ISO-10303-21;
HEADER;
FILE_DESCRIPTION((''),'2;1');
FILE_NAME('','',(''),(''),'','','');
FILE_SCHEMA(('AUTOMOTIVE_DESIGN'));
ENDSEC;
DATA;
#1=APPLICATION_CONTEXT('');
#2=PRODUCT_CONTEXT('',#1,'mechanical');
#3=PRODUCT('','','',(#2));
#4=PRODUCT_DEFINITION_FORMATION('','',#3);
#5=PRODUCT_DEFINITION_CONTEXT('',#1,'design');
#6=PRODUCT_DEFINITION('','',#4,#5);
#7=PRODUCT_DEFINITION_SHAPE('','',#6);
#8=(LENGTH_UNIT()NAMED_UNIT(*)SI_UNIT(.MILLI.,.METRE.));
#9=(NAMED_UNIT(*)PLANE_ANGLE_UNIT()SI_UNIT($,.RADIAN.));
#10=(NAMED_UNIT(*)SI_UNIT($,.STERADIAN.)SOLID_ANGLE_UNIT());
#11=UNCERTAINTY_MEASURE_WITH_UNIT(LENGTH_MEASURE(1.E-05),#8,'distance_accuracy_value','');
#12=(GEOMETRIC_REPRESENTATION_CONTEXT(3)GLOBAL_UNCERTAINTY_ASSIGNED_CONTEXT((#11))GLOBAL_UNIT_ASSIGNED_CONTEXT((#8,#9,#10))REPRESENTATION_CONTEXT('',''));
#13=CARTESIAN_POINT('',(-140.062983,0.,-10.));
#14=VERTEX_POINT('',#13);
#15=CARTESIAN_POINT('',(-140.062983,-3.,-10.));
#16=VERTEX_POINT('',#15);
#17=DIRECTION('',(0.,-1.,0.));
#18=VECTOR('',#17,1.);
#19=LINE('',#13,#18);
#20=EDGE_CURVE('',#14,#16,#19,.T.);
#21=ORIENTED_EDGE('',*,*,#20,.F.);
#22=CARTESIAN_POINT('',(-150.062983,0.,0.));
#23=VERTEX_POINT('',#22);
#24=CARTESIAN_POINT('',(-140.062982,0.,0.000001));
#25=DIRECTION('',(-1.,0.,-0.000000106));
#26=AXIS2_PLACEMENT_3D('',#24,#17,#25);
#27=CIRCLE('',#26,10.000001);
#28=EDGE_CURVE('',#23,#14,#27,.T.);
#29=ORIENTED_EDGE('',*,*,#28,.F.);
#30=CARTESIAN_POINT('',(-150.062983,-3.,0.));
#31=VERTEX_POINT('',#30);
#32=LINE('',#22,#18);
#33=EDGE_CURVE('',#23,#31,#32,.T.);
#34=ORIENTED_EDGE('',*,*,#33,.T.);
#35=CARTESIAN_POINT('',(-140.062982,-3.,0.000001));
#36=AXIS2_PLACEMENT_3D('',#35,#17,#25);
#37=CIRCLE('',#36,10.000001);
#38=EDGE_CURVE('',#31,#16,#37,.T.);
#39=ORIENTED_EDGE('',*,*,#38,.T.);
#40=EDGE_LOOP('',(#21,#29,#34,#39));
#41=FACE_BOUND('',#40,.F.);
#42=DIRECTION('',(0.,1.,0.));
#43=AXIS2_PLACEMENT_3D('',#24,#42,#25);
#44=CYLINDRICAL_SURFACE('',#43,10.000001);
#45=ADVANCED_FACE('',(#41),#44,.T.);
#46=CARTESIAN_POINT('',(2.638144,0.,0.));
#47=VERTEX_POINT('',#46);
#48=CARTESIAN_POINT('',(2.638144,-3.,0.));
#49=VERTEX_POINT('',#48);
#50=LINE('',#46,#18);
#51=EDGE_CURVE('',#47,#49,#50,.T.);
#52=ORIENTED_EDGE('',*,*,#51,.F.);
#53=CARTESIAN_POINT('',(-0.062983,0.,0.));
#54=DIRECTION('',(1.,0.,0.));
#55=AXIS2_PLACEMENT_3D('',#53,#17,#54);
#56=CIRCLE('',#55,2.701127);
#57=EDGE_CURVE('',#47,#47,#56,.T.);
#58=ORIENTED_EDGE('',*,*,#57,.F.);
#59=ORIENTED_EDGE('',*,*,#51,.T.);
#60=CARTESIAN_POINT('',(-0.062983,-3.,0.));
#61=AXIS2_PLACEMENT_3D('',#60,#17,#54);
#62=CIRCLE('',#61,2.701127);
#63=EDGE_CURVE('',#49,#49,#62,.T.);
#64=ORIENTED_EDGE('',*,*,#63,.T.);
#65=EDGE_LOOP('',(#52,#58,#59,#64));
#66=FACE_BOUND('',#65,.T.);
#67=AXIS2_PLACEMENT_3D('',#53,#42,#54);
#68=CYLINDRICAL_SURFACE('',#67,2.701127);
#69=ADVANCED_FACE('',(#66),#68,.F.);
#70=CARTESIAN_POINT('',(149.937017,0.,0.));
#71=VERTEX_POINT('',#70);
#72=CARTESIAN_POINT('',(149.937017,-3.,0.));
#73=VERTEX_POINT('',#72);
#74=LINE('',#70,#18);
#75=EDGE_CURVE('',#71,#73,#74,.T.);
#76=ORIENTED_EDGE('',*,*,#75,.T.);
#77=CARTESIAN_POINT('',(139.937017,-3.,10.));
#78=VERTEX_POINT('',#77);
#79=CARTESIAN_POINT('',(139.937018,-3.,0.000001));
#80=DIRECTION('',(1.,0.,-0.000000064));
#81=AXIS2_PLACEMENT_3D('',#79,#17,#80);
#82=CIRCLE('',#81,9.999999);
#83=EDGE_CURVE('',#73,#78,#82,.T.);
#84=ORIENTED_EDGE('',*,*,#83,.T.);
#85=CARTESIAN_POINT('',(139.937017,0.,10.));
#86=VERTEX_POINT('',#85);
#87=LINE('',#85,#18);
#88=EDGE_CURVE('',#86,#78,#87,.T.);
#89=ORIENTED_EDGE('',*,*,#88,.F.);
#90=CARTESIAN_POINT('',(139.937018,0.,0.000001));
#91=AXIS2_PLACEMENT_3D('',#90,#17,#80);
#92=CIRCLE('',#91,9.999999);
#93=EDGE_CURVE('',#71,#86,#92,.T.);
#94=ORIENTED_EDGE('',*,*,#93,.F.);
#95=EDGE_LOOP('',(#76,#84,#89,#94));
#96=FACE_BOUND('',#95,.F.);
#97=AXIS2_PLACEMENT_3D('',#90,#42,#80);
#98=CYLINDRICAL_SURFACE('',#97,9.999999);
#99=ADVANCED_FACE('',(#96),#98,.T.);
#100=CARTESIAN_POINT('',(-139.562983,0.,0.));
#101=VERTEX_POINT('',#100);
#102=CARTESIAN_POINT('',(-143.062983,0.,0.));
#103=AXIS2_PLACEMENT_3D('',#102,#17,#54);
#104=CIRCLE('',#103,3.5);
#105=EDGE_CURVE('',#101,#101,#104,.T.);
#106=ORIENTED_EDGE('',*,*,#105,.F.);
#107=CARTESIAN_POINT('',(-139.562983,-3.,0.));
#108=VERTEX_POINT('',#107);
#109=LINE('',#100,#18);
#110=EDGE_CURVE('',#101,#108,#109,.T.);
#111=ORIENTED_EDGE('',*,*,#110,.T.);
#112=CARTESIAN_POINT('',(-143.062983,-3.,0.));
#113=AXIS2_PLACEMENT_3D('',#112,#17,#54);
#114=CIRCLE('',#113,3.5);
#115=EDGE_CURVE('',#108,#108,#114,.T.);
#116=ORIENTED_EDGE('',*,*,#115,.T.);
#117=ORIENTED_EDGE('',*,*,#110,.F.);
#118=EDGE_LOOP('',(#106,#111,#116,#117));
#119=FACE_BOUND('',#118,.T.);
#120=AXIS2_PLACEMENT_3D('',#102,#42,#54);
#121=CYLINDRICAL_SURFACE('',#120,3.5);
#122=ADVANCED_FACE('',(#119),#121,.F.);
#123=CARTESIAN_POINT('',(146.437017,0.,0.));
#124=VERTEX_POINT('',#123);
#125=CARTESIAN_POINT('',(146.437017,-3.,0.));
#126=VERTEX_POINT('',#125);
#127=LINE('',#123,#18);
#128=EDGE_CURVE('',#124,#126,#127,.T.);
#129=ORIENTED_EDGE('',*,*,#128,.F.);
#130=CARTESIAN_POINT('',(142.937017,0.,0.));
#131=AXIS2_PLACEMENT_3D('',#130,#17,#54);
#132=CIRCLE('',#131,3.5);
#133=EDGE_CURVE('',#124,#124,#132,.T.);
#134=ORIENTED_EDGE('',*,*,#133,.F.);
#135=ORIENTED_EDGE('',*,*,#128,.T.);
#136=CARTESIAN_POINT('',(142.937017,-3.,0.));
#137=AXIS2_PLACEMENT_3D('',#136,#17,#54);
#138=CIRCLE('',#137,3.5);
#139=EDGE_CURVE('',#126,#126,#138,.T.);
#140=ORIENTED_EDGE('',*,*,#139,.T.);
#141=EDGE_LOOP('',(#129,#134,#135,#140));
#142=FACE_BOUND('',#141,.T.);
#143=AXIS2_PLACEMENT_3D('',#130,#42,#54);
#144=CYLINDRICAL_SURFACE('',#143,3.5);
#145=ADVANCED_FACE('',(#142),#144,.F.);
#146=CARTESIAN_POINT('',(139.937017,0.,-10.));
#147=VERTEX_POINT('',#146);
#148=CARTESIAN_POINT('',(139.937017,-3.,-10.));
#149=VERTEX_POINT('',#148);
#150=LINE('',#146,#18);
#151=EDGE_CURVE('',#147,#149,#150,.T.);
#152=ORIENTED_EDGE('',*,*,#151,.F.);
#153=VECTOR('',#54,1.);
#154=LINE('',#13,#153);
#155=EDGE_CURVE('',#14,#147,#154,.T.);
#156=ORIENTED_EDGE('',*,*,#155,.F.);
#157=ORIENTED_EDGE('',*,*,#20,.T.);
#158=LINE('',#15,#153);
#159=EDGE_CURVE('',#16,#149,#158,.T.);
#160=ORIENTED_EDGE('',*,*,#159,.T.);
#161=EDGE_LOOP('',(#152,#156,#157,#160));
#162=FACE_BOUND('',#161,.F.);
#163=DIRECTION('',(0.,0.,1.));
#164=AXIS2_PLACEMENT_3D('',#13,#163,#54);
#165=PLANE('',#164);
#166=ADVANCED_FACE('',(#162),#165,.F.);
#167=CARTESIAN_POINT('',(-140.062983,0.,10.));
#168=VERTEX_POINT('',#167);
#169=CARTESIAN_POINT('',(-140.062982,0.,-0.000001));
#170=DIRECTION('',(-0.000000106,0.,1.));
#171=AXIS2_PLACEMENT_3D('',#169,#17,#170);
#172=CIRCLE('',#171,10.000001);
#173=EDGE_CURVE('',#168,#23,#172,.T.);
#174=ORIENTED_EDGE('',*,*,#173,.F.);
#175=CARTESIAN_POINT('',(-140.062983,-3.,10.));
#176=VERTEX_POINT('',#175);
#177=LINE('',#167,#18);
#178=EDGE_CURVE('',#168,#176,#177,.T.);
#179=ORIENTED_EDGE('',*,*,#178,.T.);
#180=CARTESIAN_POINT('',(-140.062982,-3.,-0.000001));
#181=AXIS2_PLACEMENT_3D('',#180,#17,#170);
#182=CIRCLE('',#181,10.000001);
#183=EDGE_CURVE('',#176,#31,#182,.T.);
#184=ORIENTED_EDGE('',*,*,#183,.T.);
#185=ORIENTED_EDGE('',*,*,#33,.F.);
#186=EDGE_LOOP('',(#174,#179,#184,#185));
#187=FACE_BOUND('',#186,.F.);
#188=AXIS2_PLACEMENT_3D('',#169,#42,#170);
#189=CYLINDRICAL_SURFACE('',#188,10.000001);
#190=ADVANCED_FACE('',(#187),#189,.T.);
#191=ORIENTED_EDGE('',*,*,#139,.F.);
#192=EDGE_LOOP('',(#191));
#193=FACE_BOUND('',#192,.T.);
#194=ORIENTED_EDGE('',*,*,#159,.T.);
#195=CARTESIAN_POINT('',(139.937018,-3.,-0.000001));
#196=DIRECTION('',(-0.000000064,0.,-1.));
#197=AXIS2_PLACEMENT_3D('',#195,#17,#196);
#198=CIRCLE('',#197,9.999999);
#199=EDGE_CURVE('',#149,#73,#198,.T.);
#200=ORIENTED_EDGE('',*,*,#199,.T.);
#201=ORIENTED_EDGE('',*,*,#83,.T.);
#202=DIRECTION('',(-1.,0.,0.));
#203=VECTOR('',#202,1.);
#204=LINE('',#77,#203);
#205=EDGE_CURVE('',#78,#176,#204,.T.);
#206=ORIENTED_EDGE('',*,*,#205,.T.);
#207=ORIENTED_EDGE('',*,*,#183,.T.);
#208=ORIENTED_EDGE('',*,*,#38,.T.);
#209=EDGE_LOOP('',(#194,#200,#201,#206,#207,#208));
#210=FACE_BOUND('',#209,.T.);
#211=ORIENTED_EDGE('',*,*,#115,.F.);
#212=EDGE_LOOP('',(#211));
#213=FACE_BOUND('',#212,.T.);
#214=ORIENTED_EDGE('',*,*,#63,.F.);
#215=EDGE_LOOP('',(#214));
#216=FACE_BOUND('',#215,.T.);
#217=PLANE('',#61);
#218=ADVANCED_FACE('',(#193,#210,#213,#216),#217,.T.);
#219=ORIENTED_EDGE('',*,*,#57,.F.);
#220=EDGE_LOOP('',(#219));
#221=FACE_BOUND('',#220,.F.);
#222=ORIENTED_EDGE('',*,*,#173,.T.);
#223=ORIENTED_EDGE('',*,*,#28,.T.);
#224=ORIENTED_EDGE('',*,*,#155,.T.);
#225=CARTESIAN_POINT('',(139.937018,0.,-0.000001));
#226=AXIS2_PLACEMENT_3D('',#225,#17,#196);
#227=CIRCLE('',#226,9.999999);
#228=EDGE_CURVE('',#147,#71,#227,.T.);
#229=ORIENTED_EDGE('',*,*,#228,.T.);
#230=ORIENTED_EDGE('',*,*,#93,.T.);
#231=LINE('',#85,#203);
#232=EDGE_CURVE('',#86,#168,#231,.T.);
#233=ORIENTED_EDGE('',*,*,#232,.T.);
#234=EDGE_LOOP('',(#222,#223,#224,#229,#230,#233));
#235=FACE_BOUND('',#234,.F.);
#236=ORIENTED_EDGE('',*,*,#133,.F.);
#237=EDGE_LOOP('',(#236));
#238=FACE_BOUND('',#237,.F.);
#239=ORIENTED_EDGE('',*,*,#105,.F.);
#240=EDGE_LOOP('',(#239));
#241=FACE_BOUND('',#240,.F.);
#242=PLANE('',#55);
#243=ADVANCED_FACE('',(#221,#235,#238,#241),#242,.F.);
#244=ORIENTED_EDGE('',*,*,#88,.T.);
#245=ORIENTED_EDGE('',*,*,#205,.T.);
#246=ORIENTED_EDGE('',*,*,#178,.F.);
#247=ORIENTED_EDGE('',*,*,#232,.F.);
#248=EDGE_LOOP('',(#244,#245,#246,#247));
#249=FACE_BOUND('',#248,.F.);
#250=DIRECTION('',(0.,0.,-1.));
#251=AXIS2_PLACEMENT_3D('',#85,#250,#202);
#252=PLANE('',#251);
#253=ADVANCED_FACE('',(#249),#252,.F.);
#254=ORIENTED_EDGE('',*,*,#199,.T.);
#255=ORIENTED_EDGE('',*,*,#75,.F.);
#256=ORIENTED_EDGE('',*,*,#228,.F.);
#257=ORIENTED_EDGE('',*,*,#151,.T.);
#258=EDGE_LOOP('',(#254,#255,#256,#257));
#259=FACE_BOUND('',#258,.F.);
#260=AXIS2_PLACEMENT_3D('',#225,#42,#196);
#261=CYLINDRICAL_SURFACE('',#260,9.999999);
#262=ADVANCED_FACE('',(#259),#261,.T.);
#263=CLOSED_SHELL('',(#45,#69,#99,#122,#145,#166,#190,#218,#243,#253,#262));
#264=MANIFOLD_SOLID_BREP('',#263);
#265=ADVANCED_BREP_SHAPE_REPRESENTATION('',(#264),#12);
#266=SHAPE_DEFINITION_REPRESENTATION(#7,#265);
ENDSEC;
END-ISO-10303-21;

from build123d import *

# Parameters (mm, degrees)
F0_R     = 3.5
F0_R_2   = 2.701127
F1_DEPTH = 3


with BuildPart() as f1:
    # F0 (on Front) → F1 (new body)
    with BuildSketch(Plane.XZ):
        with BuildLine():
            Line((139.937017, 10), (-140.062983, 10))
            ThreePointArc((-140.062983, 10), (-147.13405, 7.071068), (-150.062983, 0))
            ThreePointArc((-150.062983, 0), (-147.13405, -7.071068), (-140.062983, -10))
            Line((-140.062983, -10), (139.937017, -10))
            ThreePointArc((139.937017, -10), (147.008085, -7.071068), (149.937017, 0))
            ThreePointArc((149.937017, 0), (147.008085, 7.071068), (139.937017, 10))
        make_face()
        with Locations((-143.062983, 0)):
            Circle(F0_R, mode=Mode.SUBTRACT)
        with Locations((-0.062983, 0)):
            Circle(F0_R_2, mode=Mode.SUBTRACT)
        with Locations((142.937017, 0)):
            Circle(F0_R, mode=Mode.SUBTRACT)
    extrude(amount=F1_DEPTH)


solid = f1.part
